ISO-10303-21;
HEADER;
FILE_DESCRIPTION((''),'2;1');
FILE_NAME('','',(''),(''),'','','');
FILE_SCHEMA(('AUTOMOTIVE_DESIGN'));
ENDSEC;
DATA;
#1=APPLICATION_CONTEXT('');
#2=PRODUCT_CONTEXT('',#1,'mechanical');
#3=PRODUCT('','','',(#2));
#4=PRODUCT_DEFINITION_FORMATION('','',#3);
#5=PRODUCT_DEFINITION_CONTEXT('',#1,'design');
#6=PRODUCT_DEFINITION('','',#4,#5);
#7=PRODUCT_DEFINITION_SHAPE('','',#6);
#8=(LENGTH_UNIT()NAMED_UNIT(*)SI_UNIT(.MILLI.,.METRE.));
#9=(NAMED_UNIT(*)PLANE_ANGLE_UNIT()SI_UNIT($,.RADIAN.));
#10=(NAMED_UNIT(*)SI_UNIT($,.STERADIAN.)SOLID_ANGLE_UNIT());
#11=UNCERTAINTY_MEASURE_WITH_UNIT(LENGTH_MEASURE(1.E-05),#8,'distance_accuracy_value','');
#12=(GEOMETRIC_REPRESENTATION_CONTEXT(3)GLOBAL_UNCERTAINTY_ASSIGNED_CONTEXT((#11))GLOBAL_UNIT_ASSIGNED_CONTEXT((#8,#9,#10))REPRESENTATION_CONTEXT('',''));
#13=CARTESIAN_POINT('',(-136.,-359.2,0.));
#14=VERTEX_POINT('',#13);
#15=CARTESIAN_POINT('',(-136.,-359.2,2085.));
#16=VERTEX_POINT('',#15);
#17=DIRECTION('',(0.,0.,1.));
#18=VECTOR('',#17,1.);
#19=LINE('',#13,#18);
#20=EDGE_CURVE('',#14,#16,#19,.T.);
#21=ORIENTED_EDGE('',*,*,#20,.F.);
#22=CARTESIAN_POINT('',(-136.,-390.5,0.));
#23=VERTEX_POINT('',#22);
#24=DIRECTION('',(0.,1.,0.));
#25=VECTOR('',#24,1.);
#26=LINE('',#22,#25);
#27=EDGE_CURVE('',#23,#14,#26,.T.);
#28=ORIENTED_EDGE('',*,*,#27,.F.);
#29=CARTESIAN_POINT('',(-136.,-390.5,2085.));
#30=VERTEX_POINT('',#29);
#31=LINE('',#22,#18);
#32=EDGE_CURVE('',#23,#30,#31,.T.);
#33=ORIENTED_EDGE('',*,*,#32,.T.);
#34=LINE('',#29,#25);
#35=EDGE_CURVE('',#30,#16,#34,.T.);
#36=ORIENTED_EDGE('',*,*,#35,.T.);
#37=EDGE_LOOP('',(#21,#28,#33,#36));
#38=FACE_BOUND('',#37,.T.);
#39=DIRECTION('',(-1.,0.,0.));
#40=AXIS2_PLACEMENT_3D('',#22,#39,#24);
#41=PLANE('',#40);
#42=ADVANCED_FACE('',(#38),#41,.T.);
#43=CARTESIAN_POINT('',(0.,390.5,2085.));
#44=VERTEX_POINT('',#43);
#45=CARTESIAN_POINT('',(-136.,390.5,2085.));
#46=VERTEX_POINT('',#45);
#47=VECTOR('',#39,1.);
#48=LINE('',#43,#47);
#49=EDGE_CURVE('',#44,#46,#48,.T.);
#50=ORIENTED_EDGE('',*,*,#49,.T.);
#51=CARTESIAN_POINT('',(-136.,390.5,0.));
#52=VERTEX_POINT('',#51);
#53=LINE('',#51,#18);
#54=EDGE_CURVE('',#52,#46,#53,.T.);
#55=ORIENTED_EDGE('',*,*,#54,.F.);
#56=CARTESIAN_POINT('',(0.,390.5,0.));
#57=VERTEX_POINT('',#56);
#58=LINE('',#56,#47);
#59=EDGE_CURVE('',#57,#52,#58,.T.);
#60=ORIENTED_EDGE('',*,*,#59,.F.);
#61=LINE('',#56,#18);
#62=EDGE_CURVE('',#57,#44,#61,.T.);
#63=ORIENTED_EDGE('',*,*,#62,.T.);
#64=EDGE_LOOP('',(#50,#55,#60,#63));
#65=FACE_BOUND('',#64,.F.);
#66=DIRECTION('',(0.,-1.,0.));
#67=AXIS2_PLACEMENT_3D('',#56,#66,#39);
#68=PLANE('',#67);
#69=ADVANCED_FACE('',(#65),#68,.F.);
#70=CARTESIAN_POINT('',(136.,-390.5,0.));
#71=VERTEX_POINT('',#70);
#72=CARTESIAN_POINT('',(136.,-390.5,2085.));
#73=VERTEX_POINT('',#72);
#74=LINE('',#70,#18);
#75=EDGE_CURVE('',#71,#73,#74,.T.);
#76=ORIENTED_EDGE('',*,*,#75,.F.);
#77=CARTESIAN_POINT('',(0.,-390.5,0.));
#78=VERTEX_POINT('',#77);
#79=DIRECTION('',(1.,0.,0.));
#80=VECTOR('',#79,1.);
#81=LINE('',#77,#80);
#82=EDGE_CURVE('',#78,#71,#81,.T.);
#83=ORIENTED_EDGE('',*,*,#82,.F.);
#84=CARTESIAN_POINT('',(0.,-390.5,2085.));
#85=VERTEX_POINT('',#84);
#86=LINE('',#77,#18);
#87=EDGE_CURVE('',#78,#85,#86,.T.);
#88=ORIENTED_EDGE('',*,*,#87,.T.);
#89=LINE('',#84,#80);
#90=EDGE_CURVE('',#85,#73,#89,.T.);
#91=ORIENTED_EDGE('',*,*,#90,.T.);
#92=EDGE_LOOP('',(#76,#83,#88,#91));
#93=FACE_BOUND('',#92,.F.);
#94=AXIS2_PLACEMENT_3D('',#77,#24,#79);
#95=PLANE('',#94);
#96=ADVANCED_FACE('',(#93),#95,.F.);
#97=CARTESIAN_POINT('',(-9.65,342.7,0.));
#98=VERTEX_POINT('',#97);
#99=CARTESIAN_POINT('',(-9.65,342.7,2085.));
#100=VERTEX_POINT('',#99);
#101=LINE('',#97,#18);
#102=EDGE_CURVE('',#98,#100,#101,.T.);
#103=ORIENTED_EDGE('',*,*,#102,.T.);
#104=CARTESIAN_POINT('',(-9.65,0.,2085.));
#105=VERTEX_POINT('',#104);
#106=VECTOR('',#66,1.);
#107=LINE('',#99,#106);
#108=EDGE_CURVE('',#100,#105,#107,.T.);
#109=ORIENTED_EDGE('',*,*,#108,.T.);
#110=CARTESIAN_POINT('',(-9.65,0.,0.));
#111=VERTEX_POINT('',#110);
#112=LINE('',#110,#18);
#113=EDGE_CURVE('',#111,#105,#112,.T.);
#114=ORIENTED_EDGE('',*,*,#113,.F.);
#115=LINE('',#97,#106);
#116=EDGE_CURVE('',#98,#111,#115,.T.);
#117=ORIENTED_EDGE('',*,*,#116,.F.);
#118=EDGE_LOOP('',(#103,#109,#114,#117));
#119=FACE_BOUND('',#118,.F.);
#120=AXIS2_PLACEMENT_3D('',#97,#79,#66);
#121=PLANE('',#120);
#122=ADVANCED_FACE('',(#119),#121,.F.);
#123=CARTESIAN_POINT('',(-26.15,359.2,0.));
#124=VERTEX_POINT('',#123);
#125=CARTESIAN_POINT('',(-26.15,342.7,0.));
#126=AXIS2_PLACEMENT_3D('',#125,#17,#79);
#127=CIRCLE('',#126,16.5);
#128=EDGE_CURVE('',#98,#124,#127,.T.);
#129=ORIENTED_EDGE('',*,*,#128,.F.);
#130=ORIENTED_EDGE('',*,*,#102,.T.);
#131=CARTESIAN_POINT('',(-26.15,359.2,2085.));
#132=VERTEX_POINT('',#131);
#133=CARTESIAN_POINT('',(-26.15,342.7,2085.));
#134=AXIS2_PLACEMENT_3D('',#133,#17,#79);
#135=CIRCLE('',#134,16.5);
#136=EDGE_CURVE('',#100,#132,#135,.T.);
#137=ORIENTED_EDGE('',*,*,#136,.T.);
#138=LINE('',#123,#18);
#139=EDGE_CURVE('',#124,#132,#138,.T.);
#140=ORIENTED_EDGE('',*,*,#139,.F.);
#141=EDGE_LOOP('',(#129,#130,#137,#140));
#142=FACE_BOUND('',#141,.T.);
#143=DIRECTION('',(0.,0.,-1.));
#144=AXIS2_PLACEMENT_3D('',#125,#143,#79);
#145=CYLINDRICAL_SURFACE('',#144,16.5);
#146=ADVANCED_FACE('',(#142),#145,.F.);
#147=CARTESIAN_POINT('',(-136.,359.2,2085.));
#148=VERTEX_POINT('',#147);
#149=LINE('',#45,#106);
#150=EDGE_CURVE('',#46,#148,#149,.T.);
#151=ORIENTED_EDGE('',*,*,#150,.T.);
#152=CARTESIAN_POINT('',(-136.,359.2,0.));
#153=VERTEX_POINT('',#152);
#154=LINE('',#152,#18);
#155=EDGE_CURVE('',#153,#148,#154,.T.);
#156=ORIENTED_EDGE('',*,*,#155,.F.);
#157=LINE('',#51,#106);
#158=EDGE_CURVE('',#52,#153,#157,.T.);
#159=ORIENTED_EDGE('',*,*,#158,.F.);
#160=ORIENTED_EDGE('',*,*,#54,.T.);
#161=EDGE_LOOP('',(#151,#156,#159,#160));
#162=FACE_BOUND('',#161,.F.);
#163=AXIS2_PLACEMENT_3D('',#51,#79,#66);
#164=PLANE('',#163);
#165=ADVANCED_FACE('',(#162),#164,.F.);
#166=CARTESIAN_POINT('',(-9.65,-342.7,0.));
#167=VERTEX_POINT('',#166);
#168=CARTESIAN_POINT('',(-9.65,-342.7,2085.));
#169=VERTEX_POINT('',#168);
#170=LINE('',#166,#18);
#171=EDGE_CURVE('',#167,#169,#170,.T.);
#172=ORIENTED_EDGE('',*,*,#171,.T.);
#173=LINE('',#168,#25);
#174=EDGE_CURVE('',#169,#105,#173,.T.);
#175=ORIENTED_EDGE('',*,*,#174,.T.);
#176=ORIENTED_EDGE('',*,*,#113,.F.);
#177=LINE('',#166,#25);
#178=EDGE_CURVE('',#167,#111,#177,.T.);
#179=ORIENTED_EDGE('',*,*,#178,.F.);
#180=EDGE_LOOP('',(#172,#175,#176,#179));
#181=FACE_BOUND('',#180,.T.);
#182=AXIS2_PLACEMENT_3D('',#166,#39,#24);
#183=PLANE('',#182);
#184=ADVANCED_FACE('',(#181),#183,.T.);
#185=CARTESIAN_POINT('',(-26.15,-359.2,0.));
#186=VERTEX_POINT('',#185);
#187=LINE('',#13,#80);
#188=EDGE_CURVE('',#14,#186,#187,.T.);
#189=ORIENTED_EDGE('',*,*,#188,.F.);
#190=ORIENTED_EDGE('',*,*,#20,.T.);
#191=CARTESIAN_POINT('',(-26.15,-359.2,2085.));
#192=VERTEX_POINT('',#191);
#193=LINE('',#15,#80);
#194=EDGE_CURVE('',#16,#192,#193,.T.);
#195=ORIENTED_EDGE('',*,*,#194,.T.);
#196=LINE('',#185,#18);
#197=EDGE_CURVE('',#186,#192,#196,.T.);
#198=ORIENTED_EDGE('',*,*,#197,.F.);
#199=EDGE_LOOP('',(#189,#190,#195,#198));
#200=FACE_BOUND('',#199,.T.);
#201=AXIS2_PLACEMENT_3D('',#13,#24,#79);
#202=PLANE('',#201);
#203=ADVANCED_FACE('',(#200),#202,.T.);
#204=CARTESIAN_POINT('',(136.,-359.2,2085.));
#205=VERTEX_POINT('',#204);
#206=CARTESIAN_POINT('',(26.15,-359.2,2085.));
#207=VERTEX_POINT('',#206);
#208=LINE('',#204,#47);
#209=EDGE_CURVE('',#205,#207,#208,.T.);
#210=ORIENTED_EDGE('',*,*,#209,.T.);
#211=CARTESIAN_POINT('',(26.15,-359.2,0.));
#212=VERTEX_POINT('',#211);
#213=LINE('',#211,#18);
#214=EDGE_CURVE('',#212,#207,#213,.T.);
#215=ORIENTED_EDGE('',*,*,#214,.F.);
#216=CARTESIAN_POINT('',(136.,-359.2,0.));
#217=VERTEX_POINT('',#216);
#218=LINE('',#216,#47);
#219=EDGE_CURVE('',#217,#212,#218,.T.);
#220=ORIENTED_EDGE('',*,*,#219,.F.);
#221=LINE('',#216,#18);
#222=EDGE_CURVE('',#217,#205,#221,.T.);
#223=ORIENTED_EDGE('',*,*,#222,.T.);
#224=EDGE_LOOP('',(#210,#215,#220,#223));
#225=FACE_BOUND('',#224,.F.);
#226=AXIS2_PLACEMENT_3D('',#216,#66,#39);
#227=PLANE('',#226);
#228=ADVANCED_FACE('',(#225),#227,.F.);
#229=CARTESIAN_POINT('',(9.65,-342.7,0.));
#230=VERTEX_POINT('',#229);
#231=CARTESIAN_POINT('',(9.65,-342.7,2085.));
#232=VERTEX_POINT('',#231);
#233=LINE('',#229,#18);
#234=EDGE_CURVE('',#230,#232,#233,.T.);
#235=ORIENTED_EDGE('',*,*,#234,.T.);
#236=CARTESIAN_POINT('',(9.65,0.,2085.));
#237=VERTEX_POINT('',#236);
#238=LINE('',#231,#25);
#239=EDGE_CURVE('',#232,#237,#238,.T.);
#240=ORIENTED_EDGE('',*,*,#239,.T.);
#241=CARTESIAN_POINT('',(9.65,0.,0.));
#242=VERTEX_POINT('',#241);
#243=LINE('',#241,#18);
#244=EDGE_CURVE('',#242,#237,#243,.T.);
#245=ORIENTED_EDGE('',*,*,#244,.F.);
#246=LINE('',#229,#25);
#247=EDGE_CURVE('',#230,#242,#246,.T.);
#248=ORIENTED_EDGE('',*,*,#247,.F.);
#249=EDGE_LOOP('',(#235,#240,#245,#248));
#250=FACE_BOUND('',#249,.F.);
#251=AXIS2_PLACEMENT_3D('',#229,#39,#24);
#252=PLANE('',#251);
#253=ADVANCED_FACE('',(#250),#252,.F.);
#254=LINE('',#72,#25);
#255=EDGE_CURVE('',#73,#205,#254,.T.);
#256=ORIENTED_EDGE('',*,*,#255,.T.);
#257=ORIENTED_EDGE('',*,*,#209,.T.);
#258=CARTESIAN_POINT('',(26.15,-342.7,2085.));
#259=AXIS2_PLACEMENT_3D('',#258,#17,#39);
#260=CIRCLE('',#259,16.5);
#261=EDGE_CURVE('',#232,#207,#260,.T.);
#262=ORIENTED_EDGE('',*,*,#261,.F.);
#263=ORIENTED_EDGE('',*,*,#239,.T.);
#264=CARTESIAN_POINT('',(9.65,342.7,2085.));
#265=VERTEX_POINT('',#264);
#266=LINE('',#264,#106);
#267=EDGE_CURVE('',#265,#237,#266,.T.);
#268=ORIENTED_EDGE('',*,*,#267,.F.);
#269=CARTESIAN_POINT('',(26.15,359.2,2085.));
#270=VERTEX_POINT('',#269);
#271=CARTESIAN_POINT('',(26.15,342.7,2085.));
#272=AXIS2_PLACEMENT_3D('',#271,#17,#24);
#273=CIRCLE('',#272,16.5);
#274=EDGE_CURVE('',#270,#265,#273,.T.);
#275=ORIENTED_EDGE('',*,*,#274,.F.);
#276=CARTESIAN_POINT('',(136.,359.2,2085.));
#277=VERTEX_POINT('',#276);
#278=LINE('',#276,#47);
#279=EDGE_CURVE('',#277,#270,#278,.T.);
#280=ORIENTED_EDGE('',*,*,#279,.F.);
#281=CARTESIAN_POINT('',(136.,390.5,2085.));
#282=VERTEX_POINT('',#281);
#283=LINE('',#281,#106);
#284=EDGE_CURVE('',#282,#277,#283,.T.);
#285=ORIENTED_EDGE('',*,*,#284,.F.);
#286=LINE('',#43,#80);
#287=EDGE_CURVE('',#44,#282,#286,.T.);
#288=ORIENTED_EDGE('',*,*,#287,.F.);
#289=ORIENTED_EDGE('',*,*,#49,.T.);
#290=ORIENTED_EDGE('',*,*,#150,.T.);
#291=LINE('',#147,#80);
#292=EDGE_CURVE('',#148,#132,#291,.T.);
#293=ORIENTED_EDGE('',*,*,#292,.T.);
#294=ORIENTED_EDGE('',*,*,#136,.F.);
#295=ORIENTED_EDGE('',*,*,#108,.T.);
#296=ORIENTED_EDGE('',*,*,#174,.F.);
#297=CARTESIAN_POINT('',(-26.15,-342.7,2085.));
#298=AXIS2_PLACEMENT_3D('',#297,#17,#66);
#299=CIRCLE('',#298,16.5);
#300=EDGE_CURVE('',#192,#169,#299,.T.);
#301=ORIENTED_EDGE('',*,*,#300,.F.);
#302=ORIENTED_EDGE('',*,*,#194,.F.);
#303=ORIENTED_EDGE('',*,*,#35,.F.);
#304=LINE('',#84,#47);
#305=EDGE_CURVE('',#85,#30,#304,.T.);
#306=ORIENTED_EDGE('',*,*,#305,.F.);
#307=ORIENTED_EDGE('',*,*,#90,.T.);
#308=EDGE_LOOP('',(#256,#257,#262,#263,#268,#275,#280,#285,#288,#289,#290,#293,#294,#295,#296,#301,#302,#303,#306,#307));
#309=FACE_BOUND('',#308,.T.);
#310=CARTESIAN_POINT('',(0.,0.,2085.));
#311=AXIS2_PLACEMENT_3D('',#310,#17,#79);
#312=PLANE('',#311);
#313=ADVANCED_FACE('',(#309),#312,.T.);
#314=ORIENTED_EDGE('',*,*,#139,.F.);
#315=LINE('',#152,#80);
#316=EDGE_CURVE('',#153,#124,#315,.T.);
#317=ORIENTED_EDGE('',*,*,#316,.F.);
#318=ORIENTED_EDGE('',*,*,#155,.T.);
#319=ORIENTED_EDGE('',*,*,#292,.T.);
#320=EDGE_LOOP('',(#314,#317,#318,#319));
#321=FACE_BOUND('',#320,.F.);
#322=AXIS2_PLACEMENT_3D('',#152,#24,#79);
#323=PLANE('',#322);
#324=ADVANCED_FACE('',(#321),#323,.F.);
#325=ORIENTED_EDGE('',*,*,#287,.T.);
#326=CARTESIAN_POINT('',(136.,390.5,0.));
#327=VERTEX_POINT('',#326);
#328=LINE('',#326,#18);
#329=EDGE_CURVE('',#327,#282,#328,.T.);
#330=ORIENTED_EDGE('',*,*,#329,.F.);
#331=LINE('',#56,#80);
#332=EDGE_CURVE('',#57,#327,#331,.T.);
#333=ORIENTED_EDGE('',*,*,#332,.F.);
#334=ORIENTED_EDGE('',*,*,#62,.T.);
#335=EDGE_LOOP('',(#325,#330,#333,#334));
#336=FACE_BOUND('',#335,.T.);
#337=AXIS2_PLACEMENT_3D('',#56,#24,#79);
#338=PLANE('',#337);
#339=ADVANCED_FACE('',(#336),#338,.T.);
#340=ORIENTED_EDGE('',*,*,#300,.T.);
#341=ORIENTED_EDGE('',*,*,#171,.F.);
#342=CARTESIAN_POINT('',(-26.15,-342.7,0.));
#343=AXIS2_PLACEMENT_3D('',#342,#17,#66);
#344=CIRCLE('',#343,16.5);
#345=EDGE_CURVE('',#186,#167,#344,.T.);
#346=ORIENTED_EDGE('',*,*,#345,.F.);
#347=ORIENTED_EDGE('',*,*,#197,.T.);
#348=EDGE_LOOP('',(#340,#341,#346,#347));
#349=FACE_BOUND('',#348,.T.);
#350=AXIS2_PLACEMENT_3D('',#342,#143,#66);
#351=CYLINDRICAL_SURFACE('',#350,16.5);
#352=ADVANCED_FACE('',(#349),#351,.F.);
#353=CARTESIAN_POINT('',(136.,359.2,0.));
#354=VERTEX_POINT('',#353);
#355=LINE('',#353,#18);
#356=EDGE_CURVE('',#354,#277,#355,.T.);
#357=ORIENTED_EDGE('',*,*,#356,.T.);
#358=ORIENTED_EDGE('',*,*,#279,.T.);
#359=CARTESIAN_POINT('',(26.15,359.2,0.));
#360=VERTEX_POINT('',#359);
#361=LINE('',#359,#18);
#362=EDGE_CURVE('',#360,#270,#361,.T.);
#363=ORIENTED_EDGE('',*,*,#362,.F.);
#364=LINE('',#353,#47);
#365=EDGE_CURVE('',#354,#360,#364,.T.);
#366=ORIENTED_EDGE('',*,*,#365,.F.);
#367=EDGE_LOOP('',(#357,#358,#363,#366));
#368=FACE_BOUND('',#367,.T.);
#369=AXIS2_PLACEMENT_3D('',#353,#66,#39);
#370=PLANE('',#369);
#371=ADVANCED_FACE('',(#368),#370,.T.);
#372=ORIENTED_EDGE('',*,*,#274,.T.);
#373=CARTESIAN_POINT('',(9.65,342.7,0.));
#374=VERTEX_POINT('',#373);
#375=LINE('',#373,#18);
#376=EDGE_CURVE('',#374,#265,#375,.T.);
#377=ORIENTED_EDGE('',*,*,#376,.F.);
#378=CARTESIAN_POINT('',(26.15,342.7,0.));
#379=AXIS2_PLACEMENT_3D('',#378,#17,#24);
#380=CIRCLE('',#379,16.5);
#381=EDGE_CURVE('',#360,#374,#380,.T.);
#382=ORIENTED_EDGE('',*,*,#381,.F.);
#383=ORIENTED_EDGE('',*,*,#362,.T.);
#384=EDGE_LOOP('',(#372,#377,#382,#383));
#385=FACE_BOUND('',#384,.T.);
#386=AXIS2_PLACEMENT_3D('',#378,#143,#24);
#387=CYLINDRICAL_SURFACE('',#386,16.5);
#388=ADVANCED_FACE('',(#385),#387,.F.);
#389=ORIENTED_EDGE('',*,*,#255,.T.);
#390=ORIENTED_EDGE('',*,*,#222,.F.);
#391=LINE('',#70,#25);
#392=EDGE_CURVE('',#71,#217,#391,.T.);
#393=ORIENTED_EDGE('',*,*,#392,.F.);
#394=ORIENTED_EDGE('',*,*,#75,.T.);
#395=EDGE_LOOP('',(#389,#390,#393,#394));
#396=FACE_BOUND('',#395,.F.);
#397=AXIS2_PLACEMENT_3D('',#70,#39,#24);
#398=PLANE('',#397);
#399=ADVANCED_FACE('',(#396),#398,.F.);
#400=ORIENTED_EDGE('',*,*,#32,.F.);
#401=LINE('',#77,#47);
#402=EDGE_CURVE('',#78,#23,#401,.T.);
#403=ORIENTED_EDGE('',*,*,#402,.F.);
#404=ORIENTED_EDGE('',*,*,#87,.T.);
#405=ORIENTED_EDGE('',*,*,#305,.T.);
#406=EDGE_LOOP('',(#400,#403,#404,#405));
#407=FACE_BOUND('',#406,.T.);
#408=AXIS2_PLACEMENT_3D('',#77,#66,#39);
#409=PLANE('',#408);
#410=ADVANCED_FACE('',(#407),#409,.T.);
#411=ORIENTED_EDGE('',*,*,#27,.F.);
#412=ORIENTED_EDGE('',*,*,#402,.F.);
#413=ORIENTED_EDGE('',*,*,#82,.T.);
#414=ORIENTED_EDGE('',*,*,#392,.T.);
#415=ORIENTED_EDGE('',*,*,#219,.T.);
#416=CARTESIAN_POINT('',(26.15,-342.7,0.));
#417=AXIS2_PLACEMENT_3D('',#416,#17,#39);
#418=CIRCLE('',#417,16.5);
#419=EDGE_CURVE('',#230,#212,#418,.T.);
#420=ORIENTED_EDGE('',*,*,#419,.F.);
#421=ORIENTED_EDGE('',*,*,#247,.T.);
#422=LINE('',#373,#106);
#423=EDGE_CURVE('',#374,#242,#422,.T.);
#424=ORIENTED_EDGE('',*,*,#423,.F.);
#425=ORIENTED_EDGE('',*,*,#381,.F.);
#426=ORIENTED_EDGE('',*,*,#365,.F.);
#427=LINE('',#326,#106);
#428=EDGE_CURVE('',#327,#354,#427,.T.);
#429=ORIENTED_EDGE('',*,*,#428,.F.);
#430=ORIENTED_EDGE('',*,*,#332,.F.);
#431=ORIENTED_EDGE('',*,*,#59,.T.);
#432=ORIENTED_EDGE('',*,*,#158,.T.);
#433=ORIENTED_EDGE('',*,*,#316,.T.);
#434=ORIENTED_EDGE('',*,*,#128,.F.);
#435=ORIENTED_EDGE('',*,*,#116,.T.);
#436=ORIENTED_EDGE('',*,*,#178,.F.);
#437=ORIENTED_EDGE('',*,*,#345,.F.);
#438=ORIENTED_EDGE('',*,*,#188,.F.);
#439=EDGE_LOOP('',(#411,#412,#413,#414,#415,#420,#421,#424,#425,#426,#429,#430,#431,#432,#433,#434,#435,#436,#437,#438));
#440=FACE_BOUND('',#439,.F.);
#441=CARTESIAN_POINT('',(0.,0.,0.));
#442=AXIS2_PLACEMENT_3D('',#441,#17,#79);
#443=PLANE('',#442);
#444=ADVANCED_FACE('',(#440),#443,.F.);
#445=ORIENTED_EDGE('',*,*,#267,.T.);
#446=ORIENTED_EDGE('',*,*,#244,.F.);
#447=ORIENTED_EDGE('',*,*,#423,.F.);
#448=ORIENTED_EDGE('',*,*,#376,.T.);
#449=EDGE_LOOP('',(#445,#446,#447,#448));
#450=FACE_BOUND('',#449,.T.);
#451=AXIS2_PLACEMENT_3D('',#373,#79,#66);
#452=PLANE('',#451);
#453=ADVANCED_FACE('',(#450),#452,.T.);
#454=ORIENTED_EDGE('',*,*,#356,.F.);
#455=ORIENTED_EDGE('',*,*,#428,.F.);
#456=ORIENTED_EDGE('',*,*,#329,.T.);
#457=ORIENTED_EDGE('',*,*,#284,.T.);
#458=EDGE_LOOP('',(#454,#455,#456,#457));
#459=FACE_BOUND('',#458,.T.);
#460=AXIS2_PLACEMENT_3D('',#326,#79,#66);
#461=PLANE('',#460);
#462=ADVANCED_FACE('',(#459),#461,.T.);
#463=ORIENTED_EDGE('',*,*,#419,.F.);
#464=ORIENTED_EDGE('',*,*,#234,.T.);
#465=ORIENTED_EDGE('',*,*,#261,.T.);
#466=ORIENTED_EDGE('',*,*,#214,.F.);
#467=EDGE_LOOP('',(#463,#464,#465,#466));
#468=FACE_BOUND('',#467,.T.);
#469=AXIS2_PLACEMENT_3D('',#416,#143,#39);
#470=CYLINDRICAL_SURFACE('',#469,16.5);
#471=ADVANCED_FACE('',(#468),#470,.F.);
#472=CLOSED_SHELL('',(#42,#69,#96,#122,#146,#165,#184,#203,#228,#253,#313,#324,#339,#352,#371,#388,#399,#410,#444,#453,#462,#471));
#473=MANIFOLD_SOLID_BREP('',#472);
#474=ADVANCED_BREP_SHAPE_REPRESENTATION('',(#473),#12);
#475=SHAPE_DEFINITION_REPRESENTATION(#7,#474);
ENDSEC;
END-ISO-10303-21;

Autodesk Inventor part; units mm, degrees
ref_plane "YZ Plane" through (0, 0, 0) normal (1, 0, 0) x (0, 1, 0)
ref_plane "Start plane" through (0, 0, 0) normal (0, 0, 1) x (1, 0, 0)
ref_plane "End plane" through (0, 0, 2085) normal (0, 0, 1) x (1, 0, 0)
sketch "Sketch" plane through (0, 0, 0) normal (0, 0, 1) x (1, 0, 0)
  line L0 (-136, -390.5) -> (-136, -359.2)
  line L1 (-136, -359.2) -> (-26.15, -359.2)
  line L2 (-9.65, -342.7) -> (-9.65, 0)
  line L3 (-9.65, 0) -> (0, 0) construction
  line L4 (0, 0) -> (0, -390.5) construction
  line L5 (0, -390.5) -> (-136, -390.5)
  line L6 (-60, 0) -> (80, 0) construction
  line L7 (0, -60) -> (0, 80) construction
  line L8 (136, -390.5) -> (136, -359.2)
  line L9 (136, -359.2) -> (26.15, -359.2)
  line L10 (9.65, -342.7) -> (9.65, 0)
  line L11 (9.65, 0) -> (0, 0) construction
  line L12 (0, -390.5) -> (136, -390.5)
  line L13 (-136, 390.5) -> (-136, 359.2)
  line L14 (-136, 359.2) -> (-26.15, 359.2)
  line L15 (-9.65, 342.7) -> (-9.65, 0)
  line L16 (0, 390.5) -> (-136, 390.5)
  line L17 (136, 390.5) -> (136, 359.2)
  line L18 (136, 359.2) -> (26.15, 359.2)
  line L19 (0, 390.5) -> (136, 390.5)
  line L20 (9.65, 342.7) -> (9.65, 0)
  arc A0 (-9.65, 342.7) -> (-26.15, 359.2) centre (-26.15, 342.7) ccw
  arc A1 (26.15, 359.2) -> (9.65, 342.7) centre (26.15, 342.7) ccw
  arc A2 (9.65, -342.7) -> (26.15, -359.2) centre (26.15, -342.7) ccw
  arc A3 (-26.15, -359.2) -> (-9.65, -342.7) centre (-26.15, -342.7) ccw
  line L21 (0, 108) -> (0, -88) construction
  line L22 (-88, 0) -> (108, 0) construction
  point P0 (-9.65, -359.2)
  point P1 (9.65, -359.2)
  point P2 (-9.65, 359.2)
  point P3 (9.65, 359.2)
  dimension "d1" = 390.5
  dimension "d2" = 31.3
  dimension "d3" = 136
  dimension "d4" = 9.65
  dimension "d10" = 16.5
extrude "Body" add sketch "Sketch" along normal up to surface (2085 mm away) from surface at 0
sketch "Sketch4" plane through (0, 0, 0) normal (0, 0, 1) x (1, 0, 0)
  line L0 (0, 0) -> (10, 0)
ref_plane "Work Plane3" through (0, 0, 0) normal (0, -1, 0) x (1, 0, 0)
sketch "Sketch5" plane through (0, 0, 0) normal (0, -1, 0) x (1, 0, 0)
  line L0 (-2, 0) -> (12, 0) projected
  line L1 (-2, 2085) -> (12, 2085) projected
  dimension "d14" = 2085
equation "\"d1\" = 0.5 * G_H"
equation "\"d2\" = G_T1"
equation "\"d3\" = 0.5 * G_W"
equation "\"d4\" = 0.5 * G_T"
equation "\"d10\" = G_IR"
equation "\"d5\" = G_L"
equation "\"G_W\" = 272"
equation "\"G_H\" = 781"
equation "\"G_T\" = 19.3"
equation "\"G_T1\" = 31.3"
equation "\"G_IR\" = 16.5"
equation "\"G_L\" = d14"
equation "\"G_OFFSET_START\" = 0"
equation "\"G_OFFSET_END\" = 0"
equation "\"d12\" = G_OFFSET_END + B_L"
equation "\"B_L\" = 2085"
properties part number "AS 3679-1990 - 760 UB - 244 - 2085" material "Steel, Mild"
